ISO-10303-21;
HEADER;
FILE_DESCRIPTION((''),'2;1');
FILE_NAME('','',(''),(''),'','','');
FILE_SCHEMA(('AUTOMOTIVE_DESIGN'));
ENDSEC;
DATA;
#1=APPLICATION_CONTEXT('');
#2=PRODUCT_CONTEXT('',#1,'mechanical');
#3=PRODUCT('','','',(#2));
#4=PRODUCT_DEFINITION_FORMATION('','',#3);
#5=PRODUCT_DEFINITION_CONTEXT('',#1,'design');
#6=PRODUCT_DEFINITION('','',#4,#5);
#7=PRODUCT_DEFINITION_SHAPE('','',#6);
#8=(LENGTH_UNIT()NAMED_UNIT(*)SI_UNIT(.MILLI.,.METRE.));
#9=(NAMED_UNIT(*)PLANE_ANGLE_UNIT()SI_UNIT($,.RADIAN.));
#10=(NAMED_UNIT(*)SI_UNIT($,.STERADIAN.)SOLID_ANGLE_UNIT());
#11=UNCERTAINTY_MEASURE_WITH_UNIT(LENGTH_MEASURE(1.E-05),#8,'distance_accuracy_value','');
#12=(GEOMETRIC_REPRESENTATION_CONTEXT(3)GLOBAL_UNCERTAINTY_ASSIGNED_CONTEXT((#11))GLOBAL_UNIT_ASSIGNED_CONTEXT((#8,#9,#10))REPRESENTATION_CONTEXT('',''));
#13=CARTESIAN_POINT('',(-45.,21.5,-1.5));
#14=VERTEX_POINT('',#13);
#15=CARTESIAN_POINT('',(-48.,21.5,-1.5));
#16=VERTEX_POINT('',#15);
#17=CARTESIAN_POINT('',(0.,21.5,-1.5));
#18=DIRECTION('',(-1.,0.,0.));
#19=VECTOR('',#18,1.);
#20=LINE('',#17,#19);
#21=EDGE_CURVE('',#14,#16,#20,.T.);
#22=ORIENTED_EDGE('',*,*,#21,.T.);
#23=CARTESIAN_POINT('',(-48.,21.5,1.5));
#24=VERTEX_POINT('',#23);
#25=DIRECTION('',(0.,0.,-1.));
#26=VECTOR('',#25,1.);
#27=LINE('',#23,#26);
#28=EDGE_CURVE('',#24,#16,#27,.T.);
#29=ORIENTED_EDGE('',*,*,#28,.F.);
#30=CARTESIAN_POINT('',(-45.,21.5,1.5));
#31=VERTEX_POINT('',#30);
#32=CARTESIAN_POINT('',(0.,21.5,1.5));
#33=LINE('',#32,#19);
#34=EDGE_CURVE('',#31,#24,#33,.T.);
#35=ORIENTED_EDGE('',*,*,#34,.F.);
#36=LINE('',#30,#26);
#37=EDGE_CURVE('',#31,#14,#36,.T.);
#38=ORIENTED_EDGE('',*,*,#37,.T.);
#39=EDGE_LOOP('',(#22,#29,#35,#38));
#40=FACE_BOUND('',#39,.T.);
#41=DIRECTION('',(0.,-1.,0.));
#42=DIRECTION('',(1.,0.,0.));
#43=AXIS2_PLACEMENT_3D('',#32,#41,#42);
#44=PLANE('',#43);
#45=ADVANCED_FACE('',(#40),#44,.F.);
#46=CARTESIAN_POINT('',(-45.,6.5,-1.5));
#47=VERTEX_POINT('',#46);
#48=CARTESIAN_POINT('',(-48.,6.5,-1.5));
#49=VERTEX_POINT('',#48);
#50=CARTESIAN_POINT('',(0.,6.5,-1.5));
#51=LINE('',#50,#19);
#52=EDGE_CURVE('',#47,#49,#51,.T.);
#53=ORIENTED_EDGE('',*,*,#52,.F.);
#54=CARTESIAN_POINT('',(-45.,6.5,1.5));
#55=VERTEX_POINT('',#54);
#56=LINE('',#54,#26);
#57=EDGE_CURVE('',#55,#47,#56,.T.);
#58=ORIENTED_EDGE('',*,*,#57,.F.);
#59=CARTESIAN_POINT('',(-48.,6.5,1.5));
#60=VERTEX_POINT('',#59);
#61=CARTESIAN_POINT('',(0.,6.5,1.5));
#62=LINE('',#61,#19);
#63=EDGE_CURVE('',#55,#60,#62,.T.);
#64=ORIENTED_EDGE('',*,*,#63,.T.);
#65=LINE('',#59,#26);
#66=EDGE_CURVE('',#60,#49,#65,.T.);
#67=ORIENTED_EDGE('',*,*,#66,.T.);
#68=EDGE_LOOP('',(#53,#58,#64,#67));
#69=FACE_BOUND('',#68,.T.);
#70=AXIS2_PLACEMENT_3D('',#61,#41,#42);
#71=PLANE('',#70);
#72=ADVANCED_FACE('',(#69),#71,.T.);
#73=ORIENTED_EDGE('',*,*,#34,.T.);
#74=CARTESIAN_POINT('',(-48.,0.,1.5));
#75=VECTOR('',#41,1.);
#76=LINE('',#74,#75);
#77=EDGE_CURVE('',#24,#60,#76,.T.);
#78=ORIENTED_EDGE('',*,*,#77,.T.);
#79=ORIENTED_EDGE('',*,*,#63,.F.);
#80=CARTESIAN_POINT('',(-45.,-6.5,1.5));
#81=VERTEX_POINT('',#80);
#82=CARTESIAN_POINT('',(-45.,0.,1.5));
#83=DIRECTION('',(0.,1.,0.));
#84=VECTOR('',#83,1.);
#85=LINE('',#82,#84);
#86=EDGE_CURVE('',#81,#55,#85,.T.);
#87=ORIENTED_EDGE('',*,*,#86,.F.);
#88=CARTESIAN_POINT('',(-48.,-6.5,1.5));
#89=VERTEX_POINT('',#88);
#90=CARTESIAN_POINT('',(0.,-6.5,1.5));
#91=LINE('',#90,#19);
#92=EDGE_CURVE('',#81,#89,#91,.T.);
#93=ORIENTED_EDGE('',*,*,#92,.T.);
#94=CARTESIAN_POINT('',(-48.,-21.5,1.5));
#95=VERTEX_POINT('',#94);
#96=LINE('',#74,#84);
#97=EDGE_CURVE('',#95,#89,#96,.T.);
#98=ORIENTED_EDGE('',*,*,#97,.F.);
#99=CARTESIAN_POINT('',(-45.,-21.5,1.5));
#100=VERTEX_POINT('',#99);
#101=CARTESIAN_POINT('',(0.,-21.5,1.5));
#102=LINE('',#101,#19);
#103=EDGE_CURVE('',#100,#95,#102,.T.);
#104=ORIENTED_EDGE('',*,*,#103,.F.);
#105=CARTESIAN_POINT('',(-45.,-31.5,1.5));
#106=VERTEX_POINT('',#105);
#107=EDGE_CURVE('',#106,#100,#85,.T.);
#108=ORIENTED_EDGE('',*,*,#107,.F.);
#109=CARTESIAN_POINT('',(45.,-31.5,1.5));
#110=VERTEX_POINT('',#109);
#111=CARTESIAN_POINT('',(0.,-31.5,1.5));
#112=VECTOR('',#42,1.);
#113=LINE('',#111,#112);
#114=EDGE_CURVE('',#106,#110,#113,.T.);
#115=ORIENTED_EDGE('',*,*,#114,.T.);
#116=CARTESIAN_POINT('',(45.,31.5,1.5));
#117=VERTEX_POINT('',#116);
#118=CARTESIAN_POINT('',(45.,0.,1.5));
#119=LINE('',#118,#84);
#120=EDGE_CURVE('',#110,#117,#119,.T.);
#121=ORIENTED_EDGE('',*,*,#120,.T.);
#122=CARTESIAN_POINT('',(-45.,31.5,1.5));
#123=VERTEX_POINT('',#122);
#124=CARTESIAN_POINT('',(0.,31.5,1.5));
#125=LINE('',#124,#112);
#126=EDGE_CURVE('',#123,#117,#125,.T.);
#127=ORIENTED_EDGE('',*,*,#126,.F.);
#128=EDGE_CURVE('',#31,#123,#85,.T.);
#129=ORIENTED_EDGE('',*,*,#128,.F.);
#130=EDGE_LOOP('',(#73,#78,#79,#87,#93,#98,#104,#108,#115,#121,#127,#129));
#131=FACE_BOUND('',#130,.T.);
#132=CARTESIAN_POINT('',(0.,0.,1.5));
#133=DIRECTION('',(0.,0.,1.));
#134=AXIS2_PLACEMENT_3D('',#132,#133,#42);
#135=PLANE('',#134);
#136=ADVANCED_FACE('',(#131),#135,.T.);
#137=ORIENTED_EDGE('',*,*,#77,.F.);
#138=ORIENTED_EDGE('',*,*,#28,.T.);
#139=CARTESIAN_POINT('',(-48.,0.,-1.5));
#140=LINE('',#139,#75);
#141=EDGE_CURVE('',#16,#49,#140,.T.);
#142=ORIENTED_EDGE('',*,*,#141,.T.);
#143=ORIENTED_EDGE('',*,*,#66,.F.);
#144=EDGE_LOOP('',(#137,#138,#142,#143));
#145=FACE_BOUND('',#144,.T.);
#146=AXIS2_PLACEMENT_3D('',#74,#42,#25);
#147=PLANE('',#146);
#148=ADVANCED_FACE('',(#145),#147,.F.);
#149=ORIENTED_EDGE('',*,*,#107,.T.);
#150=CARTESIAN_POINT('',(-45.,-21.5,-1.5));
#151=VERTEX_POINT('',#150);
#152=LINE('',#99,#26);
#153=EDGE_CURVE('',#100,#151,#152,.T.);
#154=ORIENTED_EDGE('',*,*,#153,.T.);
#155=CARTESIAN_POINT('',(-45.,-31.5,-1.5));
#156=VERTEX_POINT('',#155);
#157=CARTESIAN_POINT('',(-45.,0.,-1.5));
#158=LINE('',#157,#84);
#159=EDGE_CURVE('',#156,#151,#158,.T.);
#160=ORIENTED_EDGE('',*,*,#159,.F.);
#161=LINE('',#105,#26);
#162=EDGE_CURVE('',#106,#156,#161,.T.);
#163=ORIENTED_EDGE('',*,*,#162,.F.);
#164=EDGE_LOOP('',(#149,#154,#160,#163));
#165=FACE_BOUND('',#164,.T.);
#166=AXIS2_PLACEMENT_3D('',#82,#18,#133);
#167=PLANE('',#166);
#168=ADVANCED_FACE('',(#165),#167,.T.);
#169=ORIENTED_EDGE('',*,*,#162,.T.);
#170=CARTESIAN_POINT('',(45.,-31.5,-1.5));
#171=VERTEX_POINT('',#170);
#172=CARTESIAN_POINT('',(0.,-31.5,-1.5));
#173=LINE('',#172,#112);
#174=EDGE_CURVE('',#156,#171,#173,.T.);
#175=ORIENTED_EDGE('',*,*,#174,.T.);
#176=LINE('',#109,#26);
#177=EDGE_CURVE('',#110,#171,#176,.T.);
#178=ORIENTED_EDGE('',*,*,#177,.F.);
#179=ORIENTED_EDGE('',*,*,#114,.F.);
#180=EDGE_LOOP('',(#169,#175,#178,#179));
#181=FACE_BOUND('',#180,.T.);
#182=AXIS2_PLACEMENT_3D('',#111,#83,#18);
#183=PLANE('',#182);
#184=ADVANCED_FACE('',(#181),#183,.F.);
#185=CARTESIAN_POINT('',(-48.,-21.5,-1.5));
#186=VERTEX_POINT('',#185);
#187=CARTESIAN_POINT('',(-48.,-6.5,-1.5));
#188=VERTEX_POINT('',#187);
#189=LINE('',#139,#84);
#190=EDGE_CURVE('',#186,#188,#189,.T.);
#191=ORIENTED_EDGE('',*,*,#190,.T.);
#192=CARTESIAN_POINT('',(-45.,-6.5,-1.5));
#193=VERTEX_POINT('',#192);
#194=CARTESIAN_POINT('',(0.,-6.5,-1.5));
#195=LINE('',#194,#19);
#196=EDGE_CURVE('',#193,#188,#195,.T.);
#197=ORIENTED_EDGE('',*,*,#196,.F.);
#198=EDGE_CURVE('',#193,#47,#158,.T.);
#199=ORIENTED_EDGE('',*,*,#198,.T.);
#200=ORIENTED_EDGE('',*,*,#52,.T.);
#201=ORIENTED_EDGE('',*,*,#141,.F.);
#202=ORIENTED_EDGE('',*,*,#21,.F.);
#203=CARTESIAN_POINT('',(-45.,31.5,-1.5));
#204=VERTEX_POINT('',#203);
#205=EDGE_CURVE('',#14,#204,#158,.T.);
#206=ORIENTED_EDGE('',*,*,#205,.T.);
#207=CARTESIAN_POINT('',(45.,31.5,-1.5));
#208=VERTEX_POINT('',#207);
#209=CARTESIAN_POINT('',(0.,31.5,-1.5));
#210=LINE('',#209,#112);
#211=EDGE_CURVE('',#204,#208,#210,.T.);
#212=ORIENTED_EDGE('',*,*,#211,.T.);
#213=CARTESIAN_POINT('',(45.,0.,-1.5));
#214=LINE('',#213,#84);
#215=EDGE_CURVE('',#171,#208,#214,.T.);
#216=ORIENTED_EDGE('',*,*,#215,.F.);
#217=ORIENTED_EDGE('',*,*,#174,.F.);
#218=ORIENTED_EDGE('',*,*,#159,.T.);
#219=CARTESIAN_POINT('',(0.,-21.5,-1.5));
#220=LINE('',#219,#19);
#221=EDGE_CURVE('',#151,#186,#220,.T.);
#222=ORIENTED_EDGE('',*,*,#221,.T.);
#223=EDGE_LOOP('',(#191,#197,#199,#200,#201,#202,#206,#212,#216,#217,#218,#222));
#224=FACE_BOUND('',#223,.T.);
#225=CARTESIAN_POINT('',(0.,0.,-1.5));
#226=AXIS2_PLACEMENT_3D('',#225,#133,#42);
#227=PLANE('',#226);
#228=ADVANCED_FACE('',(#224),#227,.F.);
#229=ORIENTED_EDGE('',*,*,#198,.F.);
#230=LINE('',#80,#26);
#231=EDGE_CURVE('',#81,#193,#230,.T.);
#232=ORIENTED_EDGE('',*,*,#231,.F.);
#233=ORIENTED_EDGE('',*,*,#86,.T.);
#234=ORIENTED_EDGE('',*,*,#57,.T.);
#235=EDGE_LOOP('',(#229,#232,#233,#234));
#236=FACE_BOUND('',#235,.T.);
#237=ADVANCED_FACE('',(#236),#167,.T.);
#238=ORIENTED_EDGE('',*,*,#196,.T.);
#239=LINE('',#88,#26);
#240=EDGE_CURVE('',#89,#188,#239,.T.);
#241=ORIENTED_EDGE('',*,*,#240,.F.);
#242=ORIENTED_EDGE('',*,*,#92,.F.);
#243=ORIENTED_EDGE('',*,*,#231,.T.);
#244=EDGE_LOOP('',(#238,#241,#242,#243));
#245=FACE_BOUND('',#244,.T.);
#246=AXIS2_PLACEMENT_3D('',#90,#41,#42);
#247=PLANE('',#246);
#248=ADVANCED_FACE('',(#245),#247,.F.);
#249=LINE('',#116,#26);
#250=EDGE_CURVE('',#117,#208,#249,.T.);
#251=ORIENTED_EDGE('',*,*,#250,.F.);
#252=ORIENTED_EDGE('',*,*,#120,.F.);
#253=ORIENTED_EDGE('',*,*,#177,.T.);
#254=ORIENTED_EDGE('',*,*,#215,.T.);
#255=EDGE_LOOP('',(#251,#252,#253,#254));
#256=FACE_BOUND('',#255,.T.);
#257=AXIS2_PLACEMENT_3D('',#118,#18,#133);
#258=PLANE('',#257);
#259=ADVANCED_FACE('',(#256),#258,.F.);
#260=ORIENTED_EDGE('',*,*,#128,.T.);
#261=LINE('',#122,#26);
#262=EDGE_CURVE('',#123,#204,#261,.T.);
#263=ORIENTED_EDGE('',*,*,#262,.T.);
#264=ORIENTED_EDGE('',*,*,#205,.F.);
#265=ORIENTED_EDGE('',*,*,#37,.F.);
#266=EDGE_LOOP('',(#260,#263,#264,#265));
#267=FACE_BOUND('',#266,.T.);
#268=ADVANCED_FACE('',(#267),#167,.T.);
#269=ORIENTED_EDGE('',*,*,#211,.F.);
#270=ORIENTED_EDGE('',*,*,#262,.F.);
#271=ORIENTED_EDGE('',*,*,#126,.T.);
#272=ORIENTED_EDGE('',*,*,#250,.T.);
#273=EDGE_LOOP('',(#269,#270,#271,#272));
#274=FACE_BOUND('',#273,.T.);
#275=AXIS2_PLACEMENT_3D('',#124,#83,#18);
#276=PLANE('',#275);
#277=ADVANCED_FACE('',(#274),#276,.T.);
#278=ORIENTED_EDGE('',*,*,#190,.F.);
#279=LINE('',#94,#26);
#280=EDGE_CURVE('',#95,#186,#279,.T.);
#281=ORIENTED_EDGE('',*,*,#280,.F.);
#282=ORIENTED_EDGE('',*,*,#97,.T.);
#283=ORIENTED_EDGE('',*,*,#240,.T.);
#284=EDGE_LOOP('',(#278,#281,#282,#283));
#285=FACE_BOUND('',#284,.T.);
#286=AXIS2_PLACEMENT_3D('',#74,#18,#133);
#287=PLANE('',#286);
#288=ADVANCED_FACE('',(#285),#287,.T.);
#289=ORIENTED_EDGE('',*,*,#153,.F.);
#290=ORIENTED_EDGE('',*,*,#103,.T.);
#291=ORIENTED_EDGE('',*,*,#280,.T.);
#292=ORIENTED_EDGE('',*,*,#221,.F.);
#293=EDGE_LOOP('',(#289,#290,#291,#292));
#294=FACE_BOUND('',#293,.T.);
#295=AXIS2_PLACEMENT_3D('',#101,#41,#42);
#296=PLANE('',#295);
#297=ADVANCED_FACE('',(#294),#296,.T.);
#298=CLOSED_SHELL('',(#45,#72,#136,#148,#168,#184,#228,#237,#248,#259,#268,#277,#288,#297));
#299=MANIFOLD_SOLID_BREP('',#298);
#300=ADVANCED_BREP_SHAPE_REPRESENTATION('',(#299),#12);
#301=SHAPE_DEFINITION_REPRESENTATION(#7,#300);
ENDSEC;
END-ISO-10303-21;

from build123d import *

# Parameters (mm, degrees)
SKETCH1_W           = 90
SKETCH1_H           = 63
SKETCH1_W_2         = 3
SKETCH1_H_2         = 15
BOSS_EXTRUDE1_DEPTH = 1.5


with BuildPart() as part:
    # Sketch1 → Boss-Extrude1 (new, symmetric)
    with BuildSketch(Plane.XY):
        Rectangle(SKETCH1_W, SKETCH1_H)
        with Locations((-46.5, 14)):
            Rectangle(SKETCH1_W_2, SKETCH1_H_2)
        with Locations((-46.5, -14)):
            Rectangle(SKETCH1_W_2, SKETCH1_H_2)
    extrude(amount=BOSS_EXTRUDE1_DEPTH, both=True)


solid = part.part
